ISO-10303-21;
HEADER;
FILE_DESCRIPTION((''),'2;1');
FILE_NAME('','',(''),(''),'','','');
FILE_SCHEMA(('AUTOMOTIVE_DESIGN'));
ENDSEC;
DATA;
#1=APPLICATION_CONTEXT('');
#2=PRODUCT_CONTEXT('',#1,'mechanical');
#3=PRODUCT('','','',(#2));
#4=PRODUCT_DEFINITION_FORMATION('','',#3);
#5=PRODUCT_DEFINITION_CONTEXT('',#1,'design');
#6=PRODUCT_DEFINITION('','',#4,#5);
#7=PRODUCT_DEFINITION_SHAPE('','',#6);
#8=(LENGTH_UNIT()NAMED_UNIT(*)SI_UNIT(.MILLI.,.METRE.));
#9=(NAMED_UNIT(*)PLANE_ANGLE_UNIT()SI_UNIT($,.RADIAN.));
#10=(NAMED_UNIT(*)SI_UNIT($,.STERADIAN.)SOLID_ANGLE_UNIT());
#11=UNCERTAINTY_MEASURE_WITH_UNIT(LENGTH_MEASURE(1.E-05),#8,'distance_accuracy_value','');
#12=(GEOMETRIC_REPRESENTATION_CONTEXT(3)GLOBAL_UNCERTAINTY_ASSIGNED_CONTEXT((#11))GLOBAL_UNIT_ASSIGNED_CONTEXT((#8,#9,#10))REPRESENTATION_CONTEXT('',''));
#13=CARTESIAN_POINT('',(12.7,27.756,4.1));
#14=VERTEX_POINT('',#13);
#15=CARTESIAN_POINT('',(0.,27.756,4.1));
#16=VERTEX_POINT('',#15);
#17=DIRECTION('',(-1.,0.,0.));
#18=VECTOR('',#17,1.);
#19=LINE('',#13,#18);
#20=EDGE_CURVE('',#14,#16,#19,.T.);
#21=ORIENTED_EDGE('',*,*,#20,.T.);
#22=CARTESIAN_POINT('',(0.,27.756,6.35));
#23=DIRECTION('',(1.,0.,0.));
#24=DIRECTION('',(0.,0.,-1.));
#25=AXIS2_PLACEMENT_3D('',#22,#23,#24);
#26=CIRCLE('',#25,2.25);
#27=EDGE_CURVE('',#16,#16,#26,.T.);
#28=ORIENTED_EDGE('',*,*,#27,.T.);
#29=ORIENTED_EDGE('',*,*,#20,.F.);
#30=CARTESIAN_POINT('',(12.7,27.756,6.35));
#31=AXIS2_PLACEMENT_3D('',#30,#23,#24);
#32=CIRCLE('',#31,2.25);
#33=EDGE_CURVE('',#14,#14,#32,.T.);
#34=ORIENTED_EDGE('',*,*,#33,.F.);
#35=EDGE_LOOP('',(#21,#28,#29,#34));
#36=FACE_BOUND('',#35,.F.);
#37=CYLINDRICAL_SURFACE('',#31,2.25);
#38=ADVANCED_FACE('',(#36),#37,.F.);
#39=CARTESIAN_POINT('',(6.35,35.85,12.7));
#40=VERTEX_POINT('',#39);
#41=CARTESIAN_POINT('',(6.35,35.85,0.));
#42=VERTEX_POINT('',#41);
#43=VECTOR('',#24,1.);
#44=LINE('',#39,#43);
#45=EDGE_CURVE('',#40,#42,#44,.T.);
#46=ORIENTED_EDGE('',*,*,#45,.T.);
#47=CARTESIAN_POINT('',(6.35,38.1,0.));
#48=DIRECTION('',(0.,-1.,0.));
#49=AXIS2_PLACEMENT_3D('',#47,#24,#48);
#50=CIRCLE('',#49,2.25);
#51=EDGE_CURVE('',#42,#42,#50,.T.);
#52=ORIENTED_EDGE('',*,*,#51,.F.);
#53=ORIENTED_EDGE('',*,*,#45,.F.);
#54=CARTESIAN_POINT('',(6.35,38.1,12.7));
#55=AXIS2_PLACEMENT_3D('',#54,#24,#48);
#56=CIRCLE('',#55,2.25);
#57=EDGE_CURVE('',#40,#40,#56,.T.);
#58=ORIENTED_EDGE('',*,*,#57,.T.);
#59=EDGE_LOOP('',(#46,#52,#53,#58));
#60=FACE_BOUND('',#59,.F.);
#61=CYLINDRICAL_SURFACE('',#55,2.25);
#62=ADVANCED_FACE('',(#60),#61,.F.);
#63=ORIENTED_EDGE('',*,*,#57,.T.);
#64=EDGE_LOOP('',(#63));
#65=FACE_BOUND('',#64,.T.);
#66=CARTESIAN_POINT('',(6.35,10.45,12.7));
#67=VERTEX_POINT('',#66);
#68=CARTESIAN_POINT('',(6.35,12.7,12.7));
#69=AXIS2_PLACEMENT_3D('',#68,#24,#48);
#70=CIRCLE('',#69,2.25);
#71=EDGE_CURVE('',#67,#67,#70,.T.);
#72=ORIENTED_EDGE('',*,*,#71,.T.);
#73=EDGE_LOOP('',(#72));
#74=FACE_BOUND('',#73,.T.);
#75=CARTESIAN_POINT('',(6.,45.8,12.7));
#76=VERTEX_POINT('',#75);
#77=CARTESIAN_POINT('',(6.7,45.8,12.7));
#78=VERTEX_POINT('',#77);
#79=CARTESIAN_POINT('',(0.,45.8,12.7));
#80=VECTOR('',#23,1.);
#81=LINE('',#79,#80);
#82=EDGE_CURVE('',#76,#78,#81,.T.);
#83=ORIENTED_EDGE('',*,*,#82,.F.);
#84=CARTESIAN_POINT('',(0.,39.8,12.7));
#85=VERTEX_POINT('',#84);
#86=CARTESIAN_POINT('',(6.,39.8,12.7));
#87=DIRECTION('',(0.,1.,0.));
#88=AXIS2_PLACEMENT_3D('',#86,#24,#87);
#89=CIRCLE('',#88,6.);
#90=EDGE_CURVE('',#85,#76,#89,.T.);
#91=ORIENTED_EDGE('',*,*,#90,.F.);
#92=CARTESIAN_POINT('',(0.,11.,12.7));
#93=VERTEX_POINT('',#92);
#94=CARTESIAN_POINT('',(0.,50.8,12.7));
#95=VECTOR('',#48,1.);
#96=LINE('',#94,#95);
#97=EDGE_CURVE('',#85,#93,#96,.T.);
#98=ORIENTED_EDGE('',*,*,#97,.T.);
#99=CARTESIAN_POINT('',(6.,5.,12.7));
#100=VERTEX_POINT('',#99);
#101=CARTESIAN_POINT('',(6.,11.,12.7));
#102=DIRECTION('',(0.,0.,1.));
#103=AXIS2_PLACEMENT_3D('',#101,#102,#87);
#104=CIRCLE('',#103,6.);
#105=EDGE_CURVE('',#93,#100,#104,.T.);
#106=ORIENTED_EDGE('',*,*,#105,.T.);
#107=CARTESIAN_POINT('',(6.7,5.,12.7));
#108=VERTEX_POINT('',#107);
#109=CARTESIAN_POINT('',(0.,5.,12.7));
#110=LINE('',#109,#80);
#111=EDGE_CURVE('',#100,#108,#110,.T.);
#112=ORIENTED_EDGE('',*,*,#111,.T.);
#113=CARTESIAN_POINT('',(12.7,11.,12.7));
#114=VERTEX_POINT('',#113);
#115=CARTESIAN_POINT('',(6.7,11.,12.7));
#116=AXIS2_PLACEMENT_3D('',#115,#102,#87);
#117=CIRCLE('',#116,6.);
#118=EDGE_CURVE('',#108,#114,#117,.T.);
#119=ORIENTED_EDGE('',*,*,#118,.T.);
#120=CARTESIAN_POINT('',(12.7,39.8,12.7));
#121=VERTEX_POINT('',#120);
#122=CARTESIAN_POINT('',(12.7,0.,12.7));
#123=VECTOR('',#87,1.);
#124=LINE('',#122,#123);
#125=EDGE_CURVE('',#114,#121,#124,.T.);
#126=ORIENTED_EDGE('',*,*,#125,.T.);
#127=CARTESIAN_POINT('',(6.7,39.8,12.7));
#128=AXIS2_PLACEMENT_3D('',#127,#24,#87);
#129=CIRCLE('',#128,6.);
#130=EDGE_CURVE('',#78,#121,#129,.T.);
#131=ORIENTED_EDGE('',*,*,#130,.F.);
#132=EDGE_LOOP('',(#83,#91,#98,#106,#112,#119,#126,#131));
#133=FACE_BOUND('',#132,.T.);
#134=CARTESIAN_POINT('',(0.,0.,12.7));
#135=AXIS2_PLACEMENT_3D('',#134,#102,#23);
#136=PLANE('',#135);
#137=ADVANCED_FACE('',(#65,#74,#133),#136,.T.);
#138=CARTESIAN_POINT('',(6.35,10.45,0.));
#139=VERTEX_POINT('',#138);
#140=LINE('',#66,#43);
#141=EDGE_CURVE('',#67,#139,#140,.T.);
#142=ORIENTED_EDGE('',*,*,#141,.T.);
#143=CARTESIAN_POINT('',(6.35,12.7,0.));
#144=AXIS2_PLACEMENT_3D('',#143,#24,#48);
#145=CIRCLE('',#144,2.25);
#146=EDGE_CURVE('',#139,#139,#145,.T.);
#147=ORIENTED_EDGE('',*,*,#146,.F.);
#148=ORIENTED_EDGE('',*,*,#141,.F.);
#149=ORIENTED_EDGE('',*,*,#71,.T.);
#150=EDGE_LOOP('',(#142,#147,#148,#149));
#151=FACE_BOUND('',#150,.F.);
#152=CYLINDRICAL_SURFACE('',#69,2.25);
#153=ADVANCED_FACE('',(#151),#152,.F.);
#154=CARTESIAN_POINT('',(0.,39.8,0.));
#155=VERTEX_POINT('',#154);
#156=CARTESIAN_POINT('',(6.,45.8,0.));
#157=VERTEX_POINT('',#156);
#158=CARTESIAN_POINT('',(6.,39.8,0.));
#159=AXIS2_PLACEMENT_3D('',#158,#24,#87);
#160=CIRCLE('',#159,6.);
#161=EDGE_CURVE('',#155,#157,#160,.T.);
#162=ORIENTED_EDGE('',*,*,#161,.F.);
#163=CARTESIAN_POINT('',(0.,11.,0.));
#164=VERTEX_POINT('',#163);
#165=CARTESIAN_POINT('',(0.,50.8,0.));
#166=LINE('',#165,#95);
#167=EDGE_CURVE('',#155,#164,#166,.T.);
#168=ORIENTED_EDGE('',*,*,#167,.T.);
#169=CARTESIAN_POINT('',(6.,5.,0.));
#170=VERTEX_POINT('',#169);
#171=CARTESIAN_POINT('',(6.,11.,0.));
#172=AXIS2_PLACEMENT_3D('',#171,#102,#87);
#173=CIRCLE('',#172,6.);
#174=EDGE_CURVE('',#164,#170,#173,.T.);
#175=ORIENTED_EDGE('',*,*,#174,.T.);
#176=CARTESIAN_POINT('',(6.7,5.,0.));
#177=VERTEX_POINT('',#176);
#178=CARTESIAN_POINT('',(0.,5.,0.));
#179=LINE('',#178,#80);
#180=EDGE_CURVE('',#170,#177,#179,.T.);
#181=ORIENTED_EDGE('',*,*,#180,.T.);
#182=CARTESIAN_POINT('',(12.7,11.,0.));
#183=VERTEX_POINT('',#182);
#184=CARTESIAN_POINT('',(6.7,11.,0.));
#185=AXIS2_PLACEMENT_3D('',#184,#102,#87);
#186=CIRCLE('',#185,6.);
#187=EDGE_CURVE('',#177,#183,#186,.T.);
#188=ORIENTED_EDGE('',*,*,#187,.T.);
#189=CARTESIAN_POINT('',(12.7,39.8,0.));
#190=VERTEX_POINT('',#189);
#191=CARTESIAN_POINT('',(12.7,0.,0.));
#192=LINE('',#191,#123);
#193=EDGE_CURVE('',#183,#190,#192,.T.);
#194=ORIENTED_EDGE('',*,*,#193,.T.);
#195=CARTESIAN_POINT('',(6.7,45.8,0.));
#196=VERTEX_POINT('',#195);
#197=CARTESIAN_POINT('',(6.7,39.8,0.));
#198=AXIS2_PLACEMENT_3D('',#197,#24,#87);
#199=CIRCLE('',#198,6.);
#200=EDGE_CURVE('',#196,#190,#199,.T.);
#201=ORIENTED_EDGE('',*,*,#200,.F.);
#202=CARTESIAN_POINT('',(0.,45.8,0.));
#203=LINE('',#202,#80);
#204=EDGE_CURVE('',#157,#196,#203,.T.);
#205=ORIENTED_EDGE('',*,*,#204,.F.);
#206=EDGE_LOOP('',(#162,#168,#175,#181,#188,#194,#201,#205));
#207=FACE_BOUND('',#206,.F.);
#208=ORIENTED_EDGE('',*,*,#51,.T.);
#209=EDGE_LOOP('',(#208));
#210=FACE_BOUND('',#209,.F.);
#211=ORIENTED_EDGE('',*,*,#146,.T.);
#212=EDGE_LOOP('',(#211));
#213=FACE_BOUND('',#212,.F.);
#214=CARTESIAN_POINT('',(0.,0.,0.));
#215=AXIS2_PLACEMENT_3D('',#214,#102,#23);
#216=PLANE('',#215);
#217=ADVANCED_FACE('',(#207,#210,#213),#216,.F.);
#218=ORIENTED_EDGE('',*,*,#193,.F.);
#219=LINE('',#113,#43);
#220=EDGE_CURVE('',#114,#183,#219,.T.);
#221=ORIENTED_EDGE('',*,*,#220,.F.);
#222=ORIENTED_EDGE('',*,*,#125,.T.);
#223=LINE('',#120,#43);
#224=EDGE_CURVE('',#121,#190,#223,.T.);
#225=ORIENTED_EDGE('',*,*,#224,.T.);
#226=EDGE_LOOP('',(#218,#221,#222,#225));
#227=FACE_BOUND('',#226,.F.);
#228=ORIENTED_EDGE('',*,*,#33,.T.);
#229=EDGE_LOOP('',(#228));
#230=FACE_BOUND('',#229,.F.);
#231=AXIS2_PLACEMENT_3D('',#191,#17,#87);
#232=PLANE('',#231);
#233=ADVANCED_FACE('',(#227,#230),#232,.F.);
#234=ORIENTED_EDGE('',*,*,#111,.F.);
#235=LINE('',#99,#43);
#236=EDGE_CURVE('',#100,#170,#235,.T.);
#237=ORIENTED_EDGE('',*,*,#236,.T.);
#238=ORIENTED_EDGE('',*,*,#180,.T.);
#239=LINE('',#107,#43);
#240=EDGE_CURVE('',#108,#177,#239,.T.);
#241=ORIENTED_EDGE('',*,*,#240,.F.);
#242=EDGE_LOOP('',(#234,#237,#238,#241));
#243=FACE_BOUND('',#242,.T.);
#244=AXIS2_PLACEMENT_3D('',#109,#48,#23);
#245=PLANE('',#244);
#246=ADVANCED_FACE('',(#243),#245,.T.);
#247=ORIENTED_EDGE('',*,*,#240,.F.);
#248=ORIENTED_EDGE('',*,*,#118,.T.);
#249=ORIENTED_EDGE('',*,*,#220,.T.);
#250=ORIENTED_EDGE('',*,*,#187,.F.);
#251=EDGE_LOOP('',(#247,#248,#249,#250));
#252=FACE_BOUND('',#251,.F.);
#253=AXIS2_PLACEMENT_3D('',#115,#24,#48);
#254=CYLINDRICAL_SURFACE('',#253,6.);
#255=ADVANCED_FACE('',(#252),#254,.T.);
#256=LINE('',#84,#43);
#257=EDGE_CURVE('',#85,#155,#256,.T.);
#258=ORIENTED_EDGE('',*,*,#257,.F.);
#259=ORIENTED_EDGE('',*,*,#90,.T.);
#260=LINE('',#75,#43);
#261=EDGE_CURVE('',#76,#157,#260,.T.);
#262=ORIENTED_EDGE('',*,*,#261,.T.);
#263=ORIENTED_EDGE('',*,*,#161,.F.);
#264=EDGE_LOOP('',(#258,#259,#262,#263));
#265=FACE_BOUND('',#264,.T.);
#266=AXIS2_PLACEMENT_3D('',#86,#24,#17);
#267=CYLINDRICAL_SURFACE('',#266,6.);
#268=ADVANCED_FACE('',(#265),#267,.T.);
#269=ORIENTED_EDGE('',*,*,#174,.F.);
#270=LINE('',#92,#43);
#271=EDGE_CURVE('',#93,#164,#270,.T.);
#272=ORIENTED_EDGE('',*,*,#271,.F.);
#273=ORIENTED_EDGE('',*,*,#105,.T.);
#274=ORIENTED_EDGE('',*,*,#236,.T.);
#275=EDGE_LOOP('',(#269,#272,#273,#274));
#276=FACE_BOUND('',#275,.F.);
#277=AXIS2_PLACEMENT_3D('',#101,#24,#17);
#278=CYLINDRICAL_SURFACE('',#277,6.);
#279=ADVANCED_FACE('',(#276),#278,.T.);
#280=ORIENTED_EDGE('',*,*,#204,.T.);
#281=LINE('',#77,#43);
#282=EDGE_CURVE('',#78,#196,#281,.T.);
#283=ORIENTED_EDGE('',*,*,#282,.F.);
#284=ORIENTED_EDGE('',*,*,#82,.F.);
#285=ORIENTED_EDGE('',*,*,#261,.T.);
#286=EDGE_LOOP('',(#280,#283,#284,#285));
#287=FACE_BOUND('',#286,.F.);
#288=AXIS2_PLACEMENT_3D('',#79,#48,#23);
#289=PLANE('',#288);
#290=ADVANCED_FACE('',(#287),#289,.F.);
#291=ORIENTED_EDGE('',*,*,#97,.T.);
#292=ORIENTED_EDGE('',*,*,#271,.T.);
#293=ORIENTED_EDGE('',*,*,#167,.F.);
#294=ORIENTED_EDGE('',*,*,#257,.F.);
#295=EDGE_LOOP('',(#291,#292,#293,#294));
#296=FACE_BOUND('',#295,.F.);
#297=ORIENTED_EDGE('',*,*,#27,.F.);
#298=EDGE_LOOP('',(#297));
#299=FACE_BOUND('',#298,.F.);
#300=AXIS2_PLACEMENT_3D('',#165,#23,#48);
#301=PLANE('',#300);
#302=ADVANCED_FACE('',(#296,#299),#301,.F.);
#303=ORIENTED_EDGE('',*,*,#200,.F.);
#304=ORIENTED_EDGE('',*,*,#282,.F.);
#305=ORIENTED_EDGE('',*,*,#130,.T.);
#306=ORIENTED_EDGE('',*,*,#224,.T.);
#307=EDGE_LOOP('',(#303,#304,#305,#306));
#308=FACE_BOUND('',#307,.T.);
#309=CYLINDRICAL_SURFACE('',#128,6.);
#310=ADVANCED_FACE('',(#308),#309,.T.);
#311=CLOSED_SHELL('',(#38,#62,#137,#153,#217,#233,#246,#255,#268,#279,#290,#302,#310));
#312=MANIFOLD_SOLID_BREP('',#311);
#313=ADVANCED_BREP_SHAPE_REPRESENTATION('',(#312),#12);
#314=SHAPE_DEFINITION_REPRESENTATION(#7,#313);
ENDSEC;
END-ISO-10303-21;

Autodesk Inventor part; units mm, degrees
ref_plane "YZ Plane" through (0, 0, 0) normal (1, 0, 0) x (0, 1, 0)
ref_plane "XZ Plane" through (0, 0, 0) normal (0, 1, 0) x (-1, 0, 0)
ref_plane "XY Plane" through (0, 0, 0) normal (0, 0, 1) x (1, 0, 0)
sketch "Sketch1" plane through (0, 0, 0) normal (0, 0, 1) x (1, 0, 0)
  line L0 (0, 0) -> (12.7, 0)
  line L1 (12.7, 0) -> (12.7, 50.8)
  line L2 (12.7, 50.8) -> (0, 50.8)
  line L3 (0, 50.8) -> (0, 0)
  dimension "d0" = 12.7
  dimension "d1" = 50.8
extrude "Extrusion1" add sketch "Sketch1" along normal blind 12.7
sketch "Sketch5" plane through (0, 0, 12.7) normal (0, 0, 1) x (1, 0, 0)
  line L0 (12.7, 0) -> (12.7, 50.8) projected
  line L1 (12.7, 50.8) -> (0, 50.8) projected
  line L2 (0, 0) -> (12.7, 0) projected
  point P0 (6.35, 38.1)
  point P1 (6.35, 12.7)
  point P2 (6.35, 50.8)
  dimension "d19" = 6.35
  dimension "d20" = 12.7
  dimension "d21" = 6.35
  dimension "d22" = 12.7
hole "Hole1" at (6.35, 38.1, 12.7) at (6.35, 12.7, 12.7) direction (0, 0, -1) diameter 4.5 end through all clearance for "Flat Head Machine Screw" size "M4" standard "Ansi Metric M Profile"
sketch "Sketch6" plane through (0, 0, 12.7) normal (0, 0, 1) x (1, 0, 0)
  line L0 (12.7, 50.8) -> (0, 50.8) projected
  line L1 (0, 50.8) -> (0, 45.8)
  line L2 (0, 50.8) -> (0, 0) projected
  line L3 (12.7, 0) -> (12.7, 50.8) projected
  line L4 (12.7, 45.8) -> (12.7, 50.8)
  line L5 (12.7, 50.8) -> (0, 50.8)
  line L6 (0, 45.8) -> (12.7, 45.8)
  dimension "d32" = 5
extrude "Extrusion4" cut sketch "Sketch6" against normal blind 12.7
sketch "Sketch7" plane through (0, 0, 12.7) normal (0, 0, 1) x (1, 0, 0)
  line L0 (0, 45.8) -> (0, 0) projected
  line L1 (0, 0) -> (0, 5)
  line L2 (12.7, 0) -> (12.7, 45.8) projected
  line L3 (12.7, 5) -> (12.7, 0)
  line L4 (0, 0) -> (12.7, 0) projected
  line L5 (12.7, 0) -> (0, 0)
  line L6 (0, 5) -> (12.7, 5)
  dimension "d35" = 5
extrude "Extrusion5" cut sketch "Sketch7" against normal blind 12.7
fillet "Fillet3" radius 6 2 edges at (12.7, 45.8, 6.35) (0, 45.8, 6.35)
fillet "Fillet4" radius 6 2 edges at (12.7, 5, 6.35) (0, 5, 6.35)
sketch "Sketch8" plane through (12.7, 39.8, 12.7) normal (1, 0, 0) x (0, 0, -1)
  circle A0 centre (6.35, -12.044) radius 2.25
  line L0 (12.7, -28.8) -> (12.7, 0) projected
  line L1 (12.7, -28.8) -> (0, -28.8) projected
  line L2 (0, -34.8) -> (12.7, -34.8) projected
  point P0 (12.7, -39.8)
  dimension "d43" = 6.35
  dimension "d44" = 4.5
  dimension "d49" = 16.756
extrude "Extrusion6" cut sketch "Sketch8" against normal blind 12.7
properties part number "Slider7"
